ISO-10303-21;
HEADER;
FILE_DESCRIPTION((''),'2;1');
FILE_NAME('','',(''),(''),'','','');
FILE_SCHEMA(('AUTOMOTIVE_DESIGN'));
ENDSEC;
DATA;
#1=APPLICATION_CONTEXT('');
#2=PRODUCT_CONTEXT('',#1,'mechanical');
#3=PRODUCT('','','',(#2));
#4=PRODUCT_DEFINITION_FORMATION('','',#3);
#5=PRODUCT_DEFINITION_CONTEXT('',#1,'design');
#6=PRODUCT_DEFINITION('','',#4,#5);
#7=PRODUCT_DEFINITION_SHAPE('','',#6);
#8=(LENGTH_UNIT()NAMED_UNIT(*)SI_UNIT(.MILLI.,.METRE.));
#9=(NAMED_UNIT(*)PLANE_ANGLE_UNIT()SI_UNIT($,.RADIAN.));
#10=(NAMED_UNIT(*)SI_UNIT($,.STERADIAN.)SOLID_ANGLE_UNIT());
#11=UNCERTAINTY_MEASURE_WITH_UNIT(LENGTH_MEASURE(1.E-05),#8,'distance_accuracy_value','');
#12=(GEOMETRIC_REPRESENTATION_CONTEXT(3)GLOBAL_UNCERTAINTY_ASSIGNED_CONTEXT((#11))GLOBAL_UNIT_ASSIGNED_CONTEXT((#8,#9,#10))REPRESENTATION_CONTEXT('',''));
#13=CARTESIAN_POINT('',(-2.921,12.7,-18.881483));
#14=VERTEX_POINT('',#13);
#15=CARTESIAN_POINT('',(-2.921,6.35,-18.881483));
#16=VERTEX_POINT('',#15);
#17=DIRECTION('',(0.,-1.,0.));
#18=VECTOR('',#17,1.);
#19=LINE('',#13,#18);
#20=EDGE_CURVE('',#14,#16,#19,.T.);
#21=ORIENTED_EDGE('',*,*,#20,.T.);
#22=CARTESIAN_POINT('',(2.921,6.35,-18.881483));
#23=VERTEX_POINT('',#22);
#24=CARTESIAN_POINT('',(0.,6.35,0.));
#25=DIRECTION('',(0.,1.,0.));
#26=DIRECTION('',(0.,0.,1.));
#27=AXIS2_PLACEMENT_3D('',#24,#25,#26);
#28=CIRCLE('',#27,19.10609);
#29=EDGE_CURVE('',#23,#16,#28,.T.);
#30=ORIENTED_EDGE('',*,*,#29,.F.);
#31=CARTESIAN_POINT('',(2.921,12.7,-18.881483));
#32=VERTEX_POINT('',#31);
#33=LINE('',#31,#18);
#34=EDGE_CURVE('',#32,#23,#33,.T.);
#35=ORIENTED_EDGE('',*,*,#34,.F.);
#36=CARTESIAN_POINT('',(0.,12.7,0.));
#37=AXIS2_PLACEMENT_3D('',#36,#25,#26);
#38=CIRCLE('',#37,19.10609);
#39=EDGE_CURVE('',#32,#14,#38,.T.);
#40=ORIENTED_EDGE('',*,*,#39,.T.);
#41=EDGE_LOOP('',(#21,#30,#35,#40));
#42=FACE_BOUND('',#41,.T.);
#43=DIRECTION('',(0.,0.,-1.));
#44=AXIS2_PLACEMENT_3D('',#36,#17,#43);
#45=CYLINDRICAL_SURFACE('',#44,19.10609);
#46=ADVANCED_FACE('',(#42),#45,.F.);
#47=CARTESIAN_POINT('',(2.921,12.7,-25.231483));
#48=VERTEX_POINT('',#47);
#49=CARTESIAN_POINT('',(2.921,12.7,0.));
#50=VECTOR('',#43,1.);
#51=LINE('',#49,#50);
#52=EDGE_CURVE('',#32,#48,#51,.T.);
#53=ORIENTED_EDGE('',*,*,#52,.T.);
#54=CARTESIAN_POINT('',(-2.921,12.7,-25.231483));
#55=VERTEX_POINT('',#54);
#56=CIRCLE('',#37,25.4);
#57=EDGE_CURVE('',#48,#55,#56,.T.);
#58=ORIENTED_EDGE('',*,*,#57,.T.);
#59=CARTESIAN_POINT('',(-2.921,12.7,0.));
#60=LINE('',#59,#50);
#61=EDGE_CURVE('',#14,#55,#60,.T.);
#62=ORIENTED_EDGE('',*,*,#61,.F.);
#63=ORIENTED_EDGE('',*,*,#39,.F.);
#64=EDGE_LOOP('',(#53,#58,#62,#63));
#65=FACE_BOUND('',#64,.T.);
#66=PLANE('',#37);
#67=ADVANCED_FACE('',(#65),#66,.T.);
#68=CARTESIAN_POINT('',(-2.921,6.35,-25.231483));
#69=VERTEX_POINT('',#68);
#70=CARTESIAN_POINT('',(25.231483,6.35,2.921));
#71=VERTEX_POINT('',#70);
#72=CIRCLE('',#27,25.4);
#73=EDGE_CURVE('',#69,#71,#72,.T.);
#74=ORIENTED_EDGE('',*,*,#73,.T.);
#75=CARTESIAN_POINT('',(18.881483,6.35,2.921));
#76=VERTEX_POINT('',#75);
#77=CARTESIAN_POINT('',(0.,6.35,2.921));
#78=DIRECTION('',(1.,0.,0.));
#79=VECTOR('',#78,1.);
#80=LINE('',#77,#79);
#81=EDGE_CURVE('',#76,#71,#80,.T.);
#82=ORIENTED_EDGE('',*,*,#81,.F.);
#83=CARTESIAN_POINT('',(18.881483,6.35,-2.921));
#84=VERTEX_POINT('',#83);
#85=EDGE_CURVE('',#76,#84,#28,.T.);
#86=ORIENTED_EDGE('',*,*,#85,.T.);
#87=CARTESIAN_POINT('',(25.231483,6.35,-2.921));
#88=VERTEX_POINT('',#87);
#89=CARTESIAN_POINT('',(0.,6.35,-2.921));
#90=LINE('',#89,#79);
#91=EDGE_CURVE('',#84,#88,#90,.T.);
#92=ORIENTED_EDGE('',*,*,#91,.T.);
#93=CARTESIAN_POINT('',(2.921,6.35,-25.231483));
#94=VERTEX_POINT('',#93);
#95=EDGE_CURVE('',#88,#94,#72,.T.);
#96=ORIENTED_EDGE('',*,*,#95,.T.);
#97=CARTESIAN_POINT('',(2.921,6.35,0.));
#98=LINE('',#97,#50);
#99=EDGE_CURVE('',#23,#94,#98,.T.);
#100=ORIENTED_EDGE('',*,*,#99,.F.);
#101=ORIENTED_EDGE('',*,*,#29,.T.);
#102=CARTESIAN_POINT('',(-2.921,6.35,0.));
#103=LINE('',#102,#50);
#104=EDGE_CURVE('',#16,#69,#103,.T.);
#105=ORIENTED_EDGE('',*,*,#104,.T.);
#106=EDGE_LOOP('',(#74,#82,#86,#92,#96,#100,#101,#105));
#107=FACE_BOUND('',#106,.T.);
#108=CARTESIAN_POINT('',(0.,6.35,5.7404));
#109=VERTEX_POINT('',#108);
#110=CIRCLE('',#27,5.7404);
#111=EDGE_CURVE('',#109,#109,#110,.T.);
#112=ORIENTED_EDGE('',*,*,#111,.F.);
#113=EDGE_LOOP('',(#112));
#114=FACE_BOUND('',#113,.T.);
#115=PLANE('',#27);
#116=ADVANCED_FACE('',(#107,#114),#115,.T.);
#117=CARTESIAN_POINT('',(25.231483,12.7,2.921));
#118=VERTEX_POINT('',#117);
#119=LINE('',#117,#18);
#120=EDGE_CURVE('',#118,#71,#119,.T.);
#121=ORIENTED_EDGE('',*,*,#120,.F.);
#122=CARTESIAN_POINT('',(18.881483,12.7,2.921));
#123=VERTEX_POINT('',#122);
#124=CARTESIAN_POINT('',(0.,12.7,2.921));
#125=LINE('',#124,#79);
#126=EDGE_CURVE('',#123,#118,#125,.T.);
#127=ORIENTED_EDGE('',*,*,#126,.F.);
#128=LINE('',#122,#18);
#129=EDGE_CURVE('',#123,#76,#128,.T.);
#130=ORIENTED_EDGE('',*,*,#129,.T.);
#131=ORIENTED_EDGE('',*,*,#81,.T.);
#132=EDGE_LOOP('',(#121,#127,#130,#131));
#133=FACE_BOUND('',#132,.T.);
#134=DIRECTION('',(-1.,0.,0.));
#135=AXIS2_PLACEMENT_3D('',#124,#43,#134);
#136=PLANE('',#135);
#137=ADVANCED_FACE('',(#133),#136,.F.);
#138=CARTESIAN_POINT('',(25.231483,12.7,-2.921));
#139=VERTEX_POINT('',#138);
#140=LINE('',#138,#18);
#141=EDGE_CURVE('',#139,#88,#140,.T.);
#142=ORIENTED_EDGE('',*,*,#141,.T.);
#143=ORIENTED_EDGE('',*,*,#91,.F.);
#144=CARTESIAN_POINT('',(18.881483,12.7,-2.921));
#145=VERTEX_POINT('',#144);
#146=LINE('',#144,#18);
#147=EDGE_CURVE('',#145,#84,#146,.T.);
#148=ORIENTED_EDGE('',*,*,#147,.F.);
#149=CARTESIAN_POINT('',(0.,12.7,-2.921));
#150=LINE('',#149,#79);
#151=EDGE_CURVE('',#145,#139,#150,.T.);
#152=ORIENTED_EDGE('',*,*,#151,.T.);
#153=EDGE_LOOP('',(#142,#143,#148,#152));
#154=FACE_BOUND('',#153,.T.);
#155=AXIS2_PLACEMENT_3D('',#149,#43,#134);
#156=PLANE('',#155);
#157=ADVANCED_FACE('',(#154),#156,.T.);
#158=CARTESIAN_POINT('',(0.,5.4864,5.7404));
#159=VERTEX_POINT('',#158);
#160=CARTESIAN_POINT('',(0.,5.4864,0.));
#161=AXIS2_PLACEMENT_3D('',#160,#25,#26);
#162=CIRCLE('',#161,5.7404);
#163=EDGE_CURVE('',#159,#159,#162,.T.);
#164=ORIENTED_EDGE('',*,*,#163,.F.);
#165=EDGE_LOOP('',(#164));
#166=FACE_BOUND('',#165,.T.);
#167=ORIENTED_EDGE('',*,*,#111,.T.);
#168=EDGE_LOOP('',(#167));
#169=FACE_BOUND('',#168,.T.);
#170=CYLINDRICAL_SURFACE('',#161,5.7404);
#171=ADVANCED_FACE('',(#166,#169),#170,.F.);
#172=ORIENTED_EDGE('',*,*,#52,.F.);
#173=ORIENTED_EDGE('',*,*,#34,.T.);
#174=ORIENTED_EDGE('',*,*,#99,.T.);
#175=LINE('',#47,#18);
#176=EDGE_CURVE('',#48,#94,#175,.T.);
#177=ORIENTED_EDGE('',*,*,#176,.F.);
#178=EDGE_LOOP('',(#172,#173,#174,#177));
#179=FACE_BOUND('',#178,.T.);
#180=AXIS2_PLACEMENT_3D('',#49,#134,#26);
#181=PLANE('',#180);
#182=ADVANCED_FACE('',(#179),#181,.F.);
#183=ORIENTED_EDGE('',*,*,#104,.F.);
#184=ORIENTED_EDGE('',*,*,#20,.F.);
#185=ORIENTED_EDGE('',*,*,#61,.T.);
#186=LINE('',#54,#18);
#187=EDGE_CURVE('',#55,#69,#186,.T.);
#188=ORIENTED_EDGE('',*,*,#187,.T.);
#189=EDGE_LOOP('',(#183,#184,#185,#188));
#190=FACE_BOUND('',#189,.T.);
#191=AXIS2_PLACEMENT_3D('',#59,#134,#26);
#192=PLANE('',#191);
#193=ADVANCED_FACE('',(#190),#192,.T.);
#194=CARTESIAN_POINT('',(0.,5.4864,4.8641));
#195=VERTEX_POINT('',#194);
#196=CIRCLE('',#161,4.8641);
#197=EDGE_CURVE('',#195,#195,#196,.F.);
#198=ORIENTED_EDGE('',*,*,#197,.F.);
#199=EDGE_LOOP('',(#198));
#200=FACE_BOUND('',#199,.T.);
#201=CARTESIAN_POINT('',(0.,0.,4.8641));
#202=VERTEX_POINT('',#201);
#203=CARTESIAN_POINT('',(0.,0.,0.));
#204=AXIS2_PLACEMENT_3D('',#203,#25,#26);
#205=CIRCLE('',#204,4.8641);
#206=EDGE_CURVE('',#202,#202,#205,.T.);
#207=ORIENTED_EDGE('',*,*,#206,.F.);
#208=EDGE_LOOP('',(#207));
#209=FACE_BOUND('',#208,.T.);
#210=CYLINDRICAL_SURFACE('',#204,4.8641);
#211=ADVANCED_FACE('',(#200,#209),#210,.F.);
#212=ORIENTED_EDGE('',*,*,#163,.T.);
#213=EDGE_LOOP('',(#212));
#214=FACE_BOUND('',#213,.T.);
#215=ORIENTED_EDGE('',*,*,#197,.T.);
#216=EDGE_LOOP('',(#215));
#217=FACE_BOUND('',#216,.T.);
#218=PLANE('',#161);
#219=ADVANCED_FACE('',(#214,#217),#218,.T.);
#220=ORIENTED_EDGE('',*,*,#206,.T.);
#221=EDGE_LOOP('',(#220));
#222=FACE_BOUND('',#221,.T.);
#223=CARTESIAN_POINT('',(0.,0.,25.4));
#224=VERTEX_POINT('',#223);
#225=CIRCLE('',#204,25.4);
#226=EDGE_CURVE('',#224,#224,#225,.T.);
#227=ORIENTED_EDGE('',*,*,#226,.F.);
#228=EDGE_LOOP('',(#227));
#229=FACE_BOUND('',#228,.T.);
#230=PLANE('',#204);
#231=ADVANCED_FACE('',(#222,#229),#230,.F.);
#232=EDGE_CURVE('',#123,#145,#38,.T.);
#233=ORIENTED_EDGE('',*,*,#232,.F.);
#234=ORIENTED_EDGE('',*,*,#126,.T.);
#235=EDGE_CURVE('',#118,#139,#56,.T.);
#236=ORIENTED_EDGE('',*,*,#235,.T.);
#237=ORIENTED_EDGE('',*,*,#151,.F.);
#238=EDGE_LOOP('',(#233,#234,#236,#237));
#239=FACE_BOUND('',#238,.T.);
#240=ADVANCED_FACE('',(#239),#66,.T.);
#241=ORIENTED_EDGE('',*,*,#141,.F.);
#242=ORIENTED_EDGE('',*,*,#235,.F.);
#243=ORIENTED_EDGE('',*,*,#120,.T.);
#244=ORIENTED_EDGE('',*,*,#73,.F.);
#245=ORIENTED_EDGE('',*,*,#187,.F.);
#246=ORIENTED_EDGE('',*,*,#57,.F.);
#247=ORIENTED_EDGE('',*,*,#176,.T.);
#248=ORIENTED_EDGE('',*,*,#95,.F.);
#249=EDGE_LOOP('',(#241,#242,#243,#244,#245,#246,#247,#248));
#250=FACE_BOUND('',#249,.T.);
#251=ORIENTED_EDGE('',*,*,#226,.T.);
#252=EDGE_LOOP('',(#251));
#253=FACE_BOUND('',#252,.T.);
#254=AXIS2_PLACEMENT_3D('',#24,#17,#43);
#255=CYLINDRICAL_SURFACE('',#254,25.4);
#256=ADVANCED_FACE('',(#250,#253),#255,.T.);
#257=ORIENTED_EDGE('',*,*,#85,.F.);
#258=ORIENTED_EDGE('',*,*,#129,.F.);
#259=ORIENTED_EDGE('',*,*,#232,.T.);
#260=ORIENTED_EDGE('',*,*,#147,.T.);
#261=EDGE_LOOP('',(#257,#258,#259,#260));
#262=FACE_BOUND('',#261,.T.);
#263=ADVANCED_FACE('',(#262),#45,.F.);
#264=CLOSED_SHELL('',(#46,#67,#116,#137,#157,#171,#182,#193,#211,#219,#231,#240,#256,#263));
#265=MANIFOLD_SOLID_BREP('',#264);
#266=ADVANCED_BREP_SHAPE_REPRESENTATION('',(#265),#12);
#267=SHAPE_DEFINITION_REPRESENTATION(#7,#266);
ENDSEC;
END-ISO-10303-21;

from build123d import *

# Parameters (mm, degrees)
SKETCH1_R           = 25.4
BOSS_EXTRUDE1_DEPTH = 6.35
SKETCH2_R           = 4.8641
CUT_EXTRUDE1_DEPTH  = 37.477972806
SKETCH3_R           = 5.7404
CUT_EXTRUDE3_DEPTH  = 0.8636
BOSS_EXTRUDE2_DEPTH = 6.35


with BuildPart() as part:
    # Sketch1 → Boss-Extrude1 (new body)
    with BuildSketch(Plane(origin=(0, 0, 0), x_dir=(1, 0, 0), z_dir=(0, 1, 0))):
        with Locations(Location((0, 0, 0), (0, 0, 270))):
            Circle(SKETCH1_R)
    extrude(amount=BOSS_EXTRUDE1_DEPTH)

    # Sketch2 → Cut-Extrude1 (cut, through all)
    with BuildSketch(Plane(origin=(0, 6.35, 0), x_dir=(1, 0, 0), z_dir=(0, 1, 0))):
        with Locations(Location((0, 0, 0), (0, 0, 270))):
            Circle(SKETCH2_R)
    extrude(amount=-CUT_EXTRUDE1_DEPTH, mode=Mode.SUBTRACT)

    # Sketch3 → Cut-Extrude3 (cut)
    with BuildSketch(Plane(origin=(0, 6.35, 0), x_dir=(1, 0, 0), z_dir=(0, 1, 0))):
        with Locations(Location((0, 0, 0), (0, 0, 270))):
            Circle(SKETCH3_R)
    extrude(amount=-CUT_EXTRUDE3_DEPTH, mode=Mode.SUBTRACT)

    # Sketch4 → Boss-Extrude2 (add)
    with BuildSketch(Plane(origin=(0, 6.35, 0), x_dir=(1, 0, 0), z_dir=(0, 1, 0))):
        with BuildLine():
            Line((2.921, 18.881483488), (2.921, 25.231483488))
            ThreePointArc((2.921, 25.231483488), (0, 25.4), (-2.921, 25.231483488))
            Line((-2.921, 25.231483488), (-2.921, 18.881483488))
            ThreePointArc((-2.921, 18.881483488), (0, 19.106089597), (2.921, 18.881483488))
        make_face()
        with BuildLine():
            Line((25.231483488, 2.921), (18.881483488, 2.921))
            ThreePointArc((18.881483488, 2.921), (19.106089597, 0), (18.881483488, -2.921))
            Line((18.881483488, -2.921), (25.231483488, -2.921))
            ThreePointArc((25.231483488, -2.921), (25.357835876, -1.462928468), (25.4, 0))
            ThreePointArc((25.4, 0), (25.357835876, 1.462928468), (25.231483488, 2.921))
        make_face()
    extrude(amount=BOSS_EXTRUDE2_DEPTH)


solid = part.part
